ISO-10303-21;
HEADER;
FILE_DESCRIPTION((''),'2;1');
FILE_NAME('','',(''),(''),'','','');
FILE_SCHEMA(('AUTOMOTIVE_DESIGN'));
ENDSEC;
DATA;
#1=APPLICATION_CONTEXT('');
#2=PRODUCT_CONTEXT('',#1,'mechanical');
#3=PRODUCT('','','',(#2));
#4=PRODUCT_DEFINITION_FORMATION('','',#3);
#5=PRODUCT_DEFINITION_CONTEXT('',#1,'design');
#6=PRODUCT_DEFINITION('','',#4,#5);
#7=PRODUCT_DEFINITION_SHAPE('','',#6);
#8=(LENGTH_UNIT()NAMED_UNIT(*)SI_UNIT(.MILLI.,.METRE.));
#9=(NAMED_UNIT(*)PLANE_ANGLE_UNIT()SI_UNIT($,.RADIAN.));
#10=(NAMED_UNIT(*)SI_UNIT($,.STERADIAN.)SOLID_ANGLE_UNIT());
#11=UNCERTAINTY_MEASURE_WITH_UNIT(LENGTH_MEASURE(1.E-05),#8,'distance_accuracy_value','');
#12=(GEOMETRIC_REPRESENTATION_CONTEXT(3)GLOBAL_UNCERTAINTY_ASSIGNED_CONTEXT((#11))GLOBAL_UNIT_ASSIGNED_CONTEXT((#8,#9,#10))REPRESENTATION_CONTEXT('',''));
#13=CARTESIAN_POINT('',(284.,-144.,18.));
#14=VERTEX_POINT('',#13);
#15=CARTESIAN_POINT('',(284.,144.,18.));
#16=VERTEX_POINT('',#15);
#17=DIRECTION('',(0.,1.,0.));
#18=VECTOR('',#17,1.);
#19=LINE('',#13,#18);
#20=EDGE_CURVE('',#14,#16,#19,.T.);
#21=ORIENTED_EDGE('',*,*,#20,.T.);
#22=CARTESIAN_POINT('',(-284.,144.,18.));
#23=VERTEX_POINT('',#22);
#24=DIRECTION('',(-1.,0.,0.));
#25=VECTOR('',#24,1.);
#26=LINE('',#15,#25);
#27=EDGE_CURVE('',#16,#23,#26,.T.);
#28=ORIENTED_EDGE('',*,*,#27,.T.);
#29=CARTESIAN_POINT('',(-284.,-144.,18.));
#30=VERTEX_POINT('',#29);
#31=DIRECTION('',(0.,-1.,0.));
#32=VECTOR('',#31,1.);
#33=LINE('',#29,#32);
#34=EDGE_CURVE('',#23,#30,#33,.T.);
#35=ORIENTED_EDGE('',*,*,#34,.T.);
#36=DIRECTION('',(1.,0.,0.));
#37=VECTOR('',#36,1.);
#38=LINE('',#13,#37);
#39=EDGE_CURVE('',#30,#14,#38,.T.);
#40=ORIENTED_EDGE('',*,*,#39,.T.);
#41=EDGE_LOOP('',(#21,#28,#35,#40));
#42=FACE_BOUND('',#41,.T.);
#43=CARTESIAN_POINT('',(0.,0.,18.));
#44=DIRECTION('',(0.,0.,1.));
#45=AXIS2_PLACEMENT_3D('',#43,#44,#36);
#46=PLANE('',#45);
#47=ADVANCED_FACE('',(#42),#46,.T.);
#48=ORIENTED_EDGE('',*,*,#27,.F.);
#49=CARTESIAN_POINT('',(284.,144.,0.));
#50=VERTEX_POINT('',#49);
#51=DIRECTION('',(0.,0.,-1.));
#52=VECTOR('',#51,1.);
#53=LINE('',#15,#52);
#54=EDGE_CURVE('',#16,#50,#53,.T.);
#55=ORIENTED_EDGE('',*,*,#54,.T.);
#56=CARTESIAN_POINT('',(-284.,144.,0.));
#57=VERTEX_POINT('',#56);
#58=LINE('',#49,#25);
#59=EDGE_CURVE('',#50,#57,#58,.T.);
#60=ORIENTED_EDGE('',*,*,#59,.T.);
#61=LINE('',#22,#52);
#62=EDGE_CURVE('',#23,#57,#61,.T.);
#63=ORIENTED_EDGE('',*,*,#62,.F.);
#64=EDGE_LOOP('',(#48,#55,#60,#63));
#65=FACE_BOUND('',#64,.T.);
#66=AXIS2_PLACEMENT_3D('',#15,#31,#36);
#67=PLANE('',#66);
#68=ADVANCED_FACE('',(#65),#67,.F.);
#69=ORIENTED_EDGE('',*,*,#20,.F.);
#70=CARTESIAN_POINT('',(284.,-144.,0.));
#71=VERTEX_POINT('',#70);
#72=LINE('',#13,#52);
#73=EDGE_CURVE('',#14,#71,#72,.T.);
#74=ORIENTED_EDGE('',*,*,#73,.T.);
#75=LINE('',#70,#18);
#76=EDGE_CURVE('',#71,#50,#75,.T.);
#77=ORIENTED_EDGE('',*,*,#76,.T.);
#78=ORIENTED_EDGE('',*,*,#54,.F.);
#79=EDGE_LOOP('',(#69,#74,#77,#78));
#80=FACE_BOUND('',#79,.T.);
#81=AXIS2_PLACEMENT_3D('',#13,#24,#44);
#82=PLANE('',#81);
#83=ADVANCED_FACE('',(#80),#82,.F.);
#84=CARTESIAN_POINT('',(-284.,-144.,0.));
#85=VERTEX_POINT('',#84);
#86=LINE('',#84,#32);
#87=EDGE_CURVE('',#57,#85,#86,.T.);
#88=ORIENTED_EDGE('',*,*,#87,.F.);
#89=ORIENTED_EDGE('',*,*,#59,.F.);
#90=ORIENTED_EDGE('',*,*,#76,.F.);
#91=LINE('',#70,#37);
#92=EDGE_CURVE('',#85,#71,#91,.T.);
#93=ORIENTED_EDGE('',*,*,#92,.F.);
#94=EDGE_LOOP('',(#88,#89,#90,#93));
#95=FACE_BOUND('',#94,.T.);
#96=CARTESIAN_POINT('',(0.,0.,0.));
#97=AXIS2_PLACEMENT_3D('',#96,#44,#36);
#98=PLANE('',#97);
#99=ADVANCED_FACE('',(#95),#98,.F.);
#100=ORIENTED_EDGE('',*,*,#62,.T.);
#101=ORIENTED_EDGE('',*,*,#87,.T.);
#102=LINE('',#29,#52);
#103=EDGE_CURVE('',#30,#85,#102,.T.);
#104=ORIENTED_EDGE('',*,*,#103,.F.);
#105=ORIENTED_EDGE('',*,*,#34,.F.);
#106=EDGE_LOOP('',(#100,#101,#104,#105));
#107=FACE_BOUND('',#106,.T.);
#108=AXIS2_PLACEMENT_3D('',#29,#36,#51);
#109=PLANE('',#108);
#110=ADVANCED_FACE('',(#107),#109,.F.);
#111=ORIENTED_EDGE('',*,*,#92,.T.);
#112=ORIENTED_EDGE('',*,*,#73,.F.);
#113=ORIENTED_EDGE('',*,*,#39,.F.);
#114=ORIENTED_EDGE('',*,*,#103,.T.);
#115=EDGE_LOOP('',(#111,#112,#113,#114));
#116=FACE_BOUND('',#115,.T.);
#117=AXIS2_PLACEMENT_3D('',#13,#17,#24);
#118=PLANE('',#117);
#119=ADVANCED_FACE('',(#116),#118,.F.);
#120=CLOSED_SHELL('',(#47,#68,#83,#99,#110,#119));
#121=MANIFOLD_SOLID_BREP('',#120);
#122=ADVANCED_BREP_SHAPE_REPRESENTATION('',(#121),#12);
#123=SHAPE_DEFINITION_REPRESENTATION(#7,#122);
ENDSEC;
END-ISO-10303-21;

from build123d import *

# Parameters (mm, degrees)
SKETCH1_W           = 568
SKETCH1_H           = 288
BOSS_EXTRUDE1_DEPTH = 18


with BuildPart() as part:
    # Sketch1 → Boss-Extrude1 (new body)
    with BuildSketch(Plane.XY):
        Rectangle(SKETCH1_W, SKETCH1_H)
    extrude(amount=BOSS_EXTRUDE1_DEPTH)


solid = part.part
